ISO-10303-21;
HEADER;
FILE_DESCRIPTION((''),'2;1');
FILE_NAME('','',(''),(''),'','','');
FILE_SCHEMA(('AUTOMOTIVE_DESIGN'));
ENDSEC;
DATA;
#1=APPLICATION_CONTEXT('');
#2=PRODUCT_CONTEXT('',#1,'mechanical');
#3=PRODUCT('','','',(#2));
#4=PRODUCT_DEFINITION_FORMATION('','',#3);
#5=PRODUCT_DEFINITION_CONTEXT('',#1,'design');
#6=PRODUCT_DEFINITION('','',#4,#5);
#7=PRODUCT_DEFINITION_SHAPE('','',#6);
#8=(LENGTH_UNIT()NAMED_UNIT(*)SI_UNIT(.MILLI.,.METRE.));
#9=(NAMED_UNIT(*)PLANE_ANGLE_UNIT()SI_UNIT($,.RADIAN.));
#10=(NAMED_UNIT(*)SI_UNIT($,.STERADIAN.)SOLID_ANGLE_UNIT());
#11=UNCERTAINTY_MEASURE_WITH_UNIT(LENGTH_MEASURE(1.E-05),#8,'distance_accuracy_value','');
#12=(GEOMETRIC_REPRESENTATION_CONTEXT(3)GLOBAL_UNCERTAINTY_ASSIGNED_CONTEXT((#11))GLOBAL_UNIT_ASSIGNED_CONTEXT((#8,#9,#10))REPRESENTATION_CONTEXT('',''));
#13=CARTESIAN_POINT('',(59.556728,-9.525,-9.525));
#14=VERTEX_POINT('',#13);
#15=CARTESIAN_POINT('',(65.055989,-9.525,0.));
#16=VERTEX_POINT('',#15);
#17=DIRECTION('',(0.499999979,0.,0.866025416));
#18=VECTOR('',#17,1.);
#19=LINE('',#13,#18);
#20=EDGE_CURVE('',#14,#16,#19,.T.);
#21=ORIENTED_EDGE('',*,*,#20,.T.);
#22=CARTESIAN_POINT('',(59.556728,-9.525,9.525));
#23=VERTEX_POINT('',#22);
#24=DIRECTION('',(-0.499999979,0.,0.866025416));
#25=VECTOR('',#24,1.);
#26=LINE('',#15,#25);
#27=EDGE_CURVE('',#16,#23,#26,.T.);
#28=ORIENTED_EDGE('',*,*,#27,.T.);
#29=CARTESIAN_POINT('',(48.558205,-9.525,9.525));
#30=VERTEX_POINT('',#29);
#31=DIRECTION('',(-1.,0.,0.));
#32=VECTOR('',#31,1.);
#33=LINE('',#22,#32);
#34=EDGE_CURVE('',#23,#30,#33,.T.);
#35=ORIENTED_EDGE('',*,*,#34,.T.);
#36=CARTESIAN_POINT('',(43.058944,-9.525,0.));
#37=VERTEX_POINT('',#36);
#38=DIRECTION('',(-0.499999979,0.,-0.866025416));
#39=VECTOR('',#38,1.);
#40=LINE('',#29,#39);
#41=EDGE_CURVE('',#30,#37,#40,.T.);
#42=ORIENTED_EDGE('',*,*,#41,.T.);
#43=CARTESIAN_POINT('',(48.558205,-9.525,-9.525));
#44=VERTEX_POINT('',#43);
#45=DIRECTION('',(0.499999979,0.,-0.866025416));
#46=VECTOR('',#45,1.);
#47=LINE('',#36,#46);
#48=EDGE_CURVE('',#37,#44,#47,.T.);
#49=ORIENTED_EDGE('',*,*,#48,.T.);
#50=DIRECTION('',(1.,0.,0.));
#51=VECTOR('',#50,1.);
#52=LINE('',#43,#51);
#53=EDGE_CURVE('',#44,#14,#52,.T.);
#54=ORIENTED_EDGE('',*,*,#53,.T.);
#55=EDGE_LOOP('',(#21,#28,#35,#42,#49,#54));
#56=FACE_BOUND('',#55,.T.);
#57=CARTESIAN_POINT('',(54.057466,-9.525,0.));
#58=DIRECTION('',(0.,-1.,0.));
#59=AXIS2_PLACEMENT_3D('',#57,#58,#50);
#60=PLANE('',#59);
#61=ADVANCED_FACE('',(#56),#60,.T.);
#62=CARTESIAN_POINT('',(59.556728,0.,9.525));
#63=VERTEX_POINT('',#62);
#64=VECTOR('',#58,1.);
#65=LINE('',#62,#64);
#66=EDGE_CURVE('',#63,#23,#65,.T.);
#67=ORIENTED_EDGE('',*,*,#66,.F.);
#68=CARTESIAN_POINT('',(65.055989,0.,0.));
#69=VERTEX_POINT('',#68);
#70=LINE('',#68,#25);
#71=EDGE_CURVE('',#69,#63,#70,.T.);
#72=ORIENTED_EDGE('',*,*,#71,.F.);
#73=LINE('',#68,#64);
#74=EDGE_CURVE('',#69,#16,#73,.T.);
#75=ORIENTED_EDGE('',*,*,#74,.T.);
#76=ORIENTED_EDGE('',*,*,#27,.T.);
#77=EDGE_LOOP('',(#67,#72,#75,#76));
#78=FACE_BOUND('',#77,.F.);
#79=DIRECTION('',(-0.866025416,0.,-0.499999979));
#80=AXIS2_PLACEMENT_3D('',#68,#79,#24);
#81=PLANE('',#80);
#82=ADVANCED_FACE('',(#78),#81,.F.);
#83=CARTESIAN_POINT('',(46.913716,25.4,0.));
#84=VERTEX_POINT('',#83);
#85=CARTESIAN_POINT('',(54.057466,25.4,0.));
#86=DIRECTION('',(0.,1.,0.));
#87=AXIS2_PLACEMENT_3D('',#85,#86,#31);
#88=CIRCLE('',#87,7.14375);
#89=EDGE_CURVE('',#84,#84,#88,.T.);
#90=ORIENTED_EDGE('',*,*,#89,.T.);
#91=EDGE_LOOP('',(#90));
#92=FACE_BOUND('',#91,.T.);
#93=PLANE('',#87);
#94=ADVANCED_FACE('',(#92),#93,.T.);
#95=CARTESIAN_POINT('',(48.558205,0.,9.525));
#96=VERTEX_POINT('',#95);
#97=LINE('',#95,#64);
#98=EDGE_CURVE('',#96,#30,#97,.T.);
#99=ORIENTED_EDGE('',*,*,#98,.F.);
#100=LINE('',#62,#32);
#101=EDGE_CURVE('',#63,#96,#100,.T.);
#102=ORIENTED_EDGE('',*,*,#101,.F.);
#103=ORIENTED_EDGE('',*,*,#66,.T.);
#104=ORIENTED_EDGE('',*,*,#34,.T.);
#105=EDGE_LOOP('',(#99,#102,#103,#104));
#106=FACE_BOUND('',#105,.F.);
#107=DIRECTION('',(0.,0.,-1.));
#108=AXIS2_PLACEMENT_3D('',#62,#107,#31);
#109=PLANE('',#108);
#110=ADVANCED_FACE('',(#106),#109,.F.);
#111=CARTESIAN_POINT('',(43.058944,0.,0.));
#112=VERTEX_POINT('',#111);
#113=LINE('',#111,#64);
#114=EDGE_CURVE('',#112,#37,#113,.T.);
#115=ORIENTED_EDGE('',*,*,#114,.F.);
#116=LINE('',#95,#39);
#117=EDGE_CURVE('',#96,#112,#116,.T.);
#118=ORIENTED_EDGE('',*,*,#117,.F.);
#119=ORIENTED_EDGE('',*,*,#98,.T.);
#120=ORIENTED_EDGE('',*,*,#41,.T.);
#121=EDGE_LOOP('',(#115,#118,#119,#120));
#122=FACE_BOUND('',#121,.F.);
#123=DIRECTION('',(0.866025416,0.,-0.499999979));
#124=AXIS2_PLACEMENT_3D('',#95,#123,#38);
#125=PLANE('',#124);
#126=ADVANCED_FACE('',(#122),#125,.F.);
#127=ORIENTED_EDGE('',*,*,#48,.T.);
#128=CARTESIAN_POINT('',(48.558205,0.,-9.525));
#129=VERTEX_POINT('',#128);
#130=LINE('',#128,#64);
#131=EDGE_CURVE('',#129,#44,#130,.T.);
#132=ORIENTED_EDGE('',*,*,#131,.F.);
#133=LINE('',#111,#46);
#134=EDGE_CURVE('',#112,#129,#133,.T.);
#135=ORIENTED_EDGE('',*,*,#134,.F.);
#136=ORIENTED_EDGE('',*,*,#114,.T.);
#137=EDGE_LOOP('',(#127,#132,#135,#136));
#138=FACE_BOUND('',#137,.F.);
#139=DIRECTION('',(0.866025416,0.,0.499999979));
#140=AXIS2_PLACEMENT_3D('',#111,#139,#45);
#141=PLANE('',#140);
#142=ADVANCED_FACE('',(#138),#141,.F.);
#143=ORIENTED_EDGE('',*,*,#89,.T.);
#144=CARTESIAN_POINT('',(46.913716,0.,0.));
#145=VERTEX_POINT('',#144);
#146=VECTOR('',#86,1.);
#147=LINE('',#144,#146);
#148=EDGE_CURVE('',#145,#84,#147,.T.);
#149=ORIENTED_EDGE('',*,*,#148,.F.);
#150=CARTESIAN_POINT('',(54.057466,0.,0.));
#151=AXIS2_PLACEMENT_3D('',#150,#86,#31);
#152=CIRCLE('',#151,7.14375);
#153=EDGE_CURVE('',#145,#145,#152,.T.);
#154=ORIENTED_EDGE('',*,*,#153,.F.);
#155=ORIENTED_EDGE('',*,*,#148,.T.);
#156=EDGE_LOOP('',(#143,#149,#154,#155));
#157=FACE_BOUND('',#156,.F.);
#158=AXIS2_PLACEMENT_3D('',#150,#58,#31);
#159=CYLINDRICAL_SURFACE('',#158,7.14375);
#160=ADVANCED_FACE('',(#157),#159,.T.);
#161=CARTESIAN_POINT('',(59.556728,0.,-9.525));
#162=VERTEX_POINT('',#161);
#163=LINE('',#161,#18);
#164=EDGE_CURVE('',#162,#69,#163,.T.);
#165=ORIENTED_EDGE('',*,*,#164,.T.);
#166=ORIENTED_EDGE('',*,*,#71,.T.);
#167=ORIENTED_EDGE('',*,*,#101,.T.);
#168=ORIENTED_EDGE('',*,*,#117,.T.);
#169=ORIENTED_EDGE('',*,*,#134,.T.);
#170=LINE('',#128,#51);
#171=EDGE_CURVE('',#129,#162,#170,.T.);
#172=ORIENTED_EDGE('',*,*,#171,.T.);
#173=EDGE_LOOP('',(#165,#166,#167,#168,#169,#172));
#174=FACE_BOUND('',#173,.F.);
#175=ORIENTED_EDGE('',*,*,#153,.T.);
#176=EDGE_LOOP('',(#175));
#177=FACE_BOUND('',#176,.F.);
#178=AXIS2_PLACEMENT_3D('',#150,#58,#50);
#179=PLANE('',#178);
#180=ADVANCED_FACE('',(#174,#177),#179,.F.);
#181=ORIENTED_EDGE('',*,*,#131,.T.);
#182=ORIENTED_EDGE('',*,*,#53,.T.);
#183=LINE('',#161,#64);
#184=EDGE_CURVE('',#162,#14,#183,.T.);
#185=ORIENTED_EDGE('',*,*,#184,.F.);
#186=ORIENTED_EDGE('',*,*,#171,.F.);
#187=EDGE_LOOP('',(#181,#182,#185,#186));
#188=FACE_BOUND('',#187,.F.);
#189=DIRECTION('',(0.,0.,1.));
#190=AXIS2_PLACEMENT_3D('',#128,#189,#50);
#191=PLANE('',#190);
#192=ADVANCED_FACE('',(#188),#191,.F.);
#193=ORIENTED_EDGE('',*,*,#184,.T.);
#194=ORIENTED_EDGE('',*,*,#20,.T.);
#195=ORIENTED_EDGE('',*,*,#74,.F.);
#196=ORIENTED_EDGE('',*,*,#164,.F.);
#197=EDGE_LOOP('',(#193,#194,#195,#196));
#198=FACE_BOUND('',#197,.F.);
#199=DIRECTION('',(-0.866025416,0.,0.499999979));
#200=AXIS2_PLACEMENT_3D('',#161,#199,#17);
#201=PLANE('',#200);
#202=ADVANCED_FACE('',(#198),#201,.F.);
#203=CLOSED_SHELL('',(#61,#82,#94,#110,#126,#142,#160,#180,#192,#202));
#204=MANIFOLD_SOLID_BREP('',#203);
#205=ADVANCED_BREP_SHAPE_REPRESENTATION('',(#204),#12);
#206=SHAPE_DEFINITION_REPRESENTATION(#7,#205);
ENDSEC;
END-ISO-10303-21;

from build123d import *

# Parameters (mm, degrees)
F1_DEPTH = 9.525
F2_R     = 7.14375
F3_DEPTH = 25.4


with BuildPart() as f1:
    # F0 (on Front) → F1 (new body)
    with BuildSketch(Plane.XZ):
        Polygon((59.556728, 9.525), (48.558205, 9.525), (43.058944, 0), (48.558205, -9.525), (59.556728, -9.525), (65.055989, 0), align=None)
    extrude(amount=F1_DEPTH)

    # F2 (on face) → F3 (join)
    with BuildSketch(Plane(origin=(0, 0, 0), x_dir=(-1, 0, 0), z_dir=(0, 1, 0))):
        with Locations((-54.057466, 0)):
            Circle(F2_R)
    extrude(amount=F3_DEPTH)


solid = f1.part
